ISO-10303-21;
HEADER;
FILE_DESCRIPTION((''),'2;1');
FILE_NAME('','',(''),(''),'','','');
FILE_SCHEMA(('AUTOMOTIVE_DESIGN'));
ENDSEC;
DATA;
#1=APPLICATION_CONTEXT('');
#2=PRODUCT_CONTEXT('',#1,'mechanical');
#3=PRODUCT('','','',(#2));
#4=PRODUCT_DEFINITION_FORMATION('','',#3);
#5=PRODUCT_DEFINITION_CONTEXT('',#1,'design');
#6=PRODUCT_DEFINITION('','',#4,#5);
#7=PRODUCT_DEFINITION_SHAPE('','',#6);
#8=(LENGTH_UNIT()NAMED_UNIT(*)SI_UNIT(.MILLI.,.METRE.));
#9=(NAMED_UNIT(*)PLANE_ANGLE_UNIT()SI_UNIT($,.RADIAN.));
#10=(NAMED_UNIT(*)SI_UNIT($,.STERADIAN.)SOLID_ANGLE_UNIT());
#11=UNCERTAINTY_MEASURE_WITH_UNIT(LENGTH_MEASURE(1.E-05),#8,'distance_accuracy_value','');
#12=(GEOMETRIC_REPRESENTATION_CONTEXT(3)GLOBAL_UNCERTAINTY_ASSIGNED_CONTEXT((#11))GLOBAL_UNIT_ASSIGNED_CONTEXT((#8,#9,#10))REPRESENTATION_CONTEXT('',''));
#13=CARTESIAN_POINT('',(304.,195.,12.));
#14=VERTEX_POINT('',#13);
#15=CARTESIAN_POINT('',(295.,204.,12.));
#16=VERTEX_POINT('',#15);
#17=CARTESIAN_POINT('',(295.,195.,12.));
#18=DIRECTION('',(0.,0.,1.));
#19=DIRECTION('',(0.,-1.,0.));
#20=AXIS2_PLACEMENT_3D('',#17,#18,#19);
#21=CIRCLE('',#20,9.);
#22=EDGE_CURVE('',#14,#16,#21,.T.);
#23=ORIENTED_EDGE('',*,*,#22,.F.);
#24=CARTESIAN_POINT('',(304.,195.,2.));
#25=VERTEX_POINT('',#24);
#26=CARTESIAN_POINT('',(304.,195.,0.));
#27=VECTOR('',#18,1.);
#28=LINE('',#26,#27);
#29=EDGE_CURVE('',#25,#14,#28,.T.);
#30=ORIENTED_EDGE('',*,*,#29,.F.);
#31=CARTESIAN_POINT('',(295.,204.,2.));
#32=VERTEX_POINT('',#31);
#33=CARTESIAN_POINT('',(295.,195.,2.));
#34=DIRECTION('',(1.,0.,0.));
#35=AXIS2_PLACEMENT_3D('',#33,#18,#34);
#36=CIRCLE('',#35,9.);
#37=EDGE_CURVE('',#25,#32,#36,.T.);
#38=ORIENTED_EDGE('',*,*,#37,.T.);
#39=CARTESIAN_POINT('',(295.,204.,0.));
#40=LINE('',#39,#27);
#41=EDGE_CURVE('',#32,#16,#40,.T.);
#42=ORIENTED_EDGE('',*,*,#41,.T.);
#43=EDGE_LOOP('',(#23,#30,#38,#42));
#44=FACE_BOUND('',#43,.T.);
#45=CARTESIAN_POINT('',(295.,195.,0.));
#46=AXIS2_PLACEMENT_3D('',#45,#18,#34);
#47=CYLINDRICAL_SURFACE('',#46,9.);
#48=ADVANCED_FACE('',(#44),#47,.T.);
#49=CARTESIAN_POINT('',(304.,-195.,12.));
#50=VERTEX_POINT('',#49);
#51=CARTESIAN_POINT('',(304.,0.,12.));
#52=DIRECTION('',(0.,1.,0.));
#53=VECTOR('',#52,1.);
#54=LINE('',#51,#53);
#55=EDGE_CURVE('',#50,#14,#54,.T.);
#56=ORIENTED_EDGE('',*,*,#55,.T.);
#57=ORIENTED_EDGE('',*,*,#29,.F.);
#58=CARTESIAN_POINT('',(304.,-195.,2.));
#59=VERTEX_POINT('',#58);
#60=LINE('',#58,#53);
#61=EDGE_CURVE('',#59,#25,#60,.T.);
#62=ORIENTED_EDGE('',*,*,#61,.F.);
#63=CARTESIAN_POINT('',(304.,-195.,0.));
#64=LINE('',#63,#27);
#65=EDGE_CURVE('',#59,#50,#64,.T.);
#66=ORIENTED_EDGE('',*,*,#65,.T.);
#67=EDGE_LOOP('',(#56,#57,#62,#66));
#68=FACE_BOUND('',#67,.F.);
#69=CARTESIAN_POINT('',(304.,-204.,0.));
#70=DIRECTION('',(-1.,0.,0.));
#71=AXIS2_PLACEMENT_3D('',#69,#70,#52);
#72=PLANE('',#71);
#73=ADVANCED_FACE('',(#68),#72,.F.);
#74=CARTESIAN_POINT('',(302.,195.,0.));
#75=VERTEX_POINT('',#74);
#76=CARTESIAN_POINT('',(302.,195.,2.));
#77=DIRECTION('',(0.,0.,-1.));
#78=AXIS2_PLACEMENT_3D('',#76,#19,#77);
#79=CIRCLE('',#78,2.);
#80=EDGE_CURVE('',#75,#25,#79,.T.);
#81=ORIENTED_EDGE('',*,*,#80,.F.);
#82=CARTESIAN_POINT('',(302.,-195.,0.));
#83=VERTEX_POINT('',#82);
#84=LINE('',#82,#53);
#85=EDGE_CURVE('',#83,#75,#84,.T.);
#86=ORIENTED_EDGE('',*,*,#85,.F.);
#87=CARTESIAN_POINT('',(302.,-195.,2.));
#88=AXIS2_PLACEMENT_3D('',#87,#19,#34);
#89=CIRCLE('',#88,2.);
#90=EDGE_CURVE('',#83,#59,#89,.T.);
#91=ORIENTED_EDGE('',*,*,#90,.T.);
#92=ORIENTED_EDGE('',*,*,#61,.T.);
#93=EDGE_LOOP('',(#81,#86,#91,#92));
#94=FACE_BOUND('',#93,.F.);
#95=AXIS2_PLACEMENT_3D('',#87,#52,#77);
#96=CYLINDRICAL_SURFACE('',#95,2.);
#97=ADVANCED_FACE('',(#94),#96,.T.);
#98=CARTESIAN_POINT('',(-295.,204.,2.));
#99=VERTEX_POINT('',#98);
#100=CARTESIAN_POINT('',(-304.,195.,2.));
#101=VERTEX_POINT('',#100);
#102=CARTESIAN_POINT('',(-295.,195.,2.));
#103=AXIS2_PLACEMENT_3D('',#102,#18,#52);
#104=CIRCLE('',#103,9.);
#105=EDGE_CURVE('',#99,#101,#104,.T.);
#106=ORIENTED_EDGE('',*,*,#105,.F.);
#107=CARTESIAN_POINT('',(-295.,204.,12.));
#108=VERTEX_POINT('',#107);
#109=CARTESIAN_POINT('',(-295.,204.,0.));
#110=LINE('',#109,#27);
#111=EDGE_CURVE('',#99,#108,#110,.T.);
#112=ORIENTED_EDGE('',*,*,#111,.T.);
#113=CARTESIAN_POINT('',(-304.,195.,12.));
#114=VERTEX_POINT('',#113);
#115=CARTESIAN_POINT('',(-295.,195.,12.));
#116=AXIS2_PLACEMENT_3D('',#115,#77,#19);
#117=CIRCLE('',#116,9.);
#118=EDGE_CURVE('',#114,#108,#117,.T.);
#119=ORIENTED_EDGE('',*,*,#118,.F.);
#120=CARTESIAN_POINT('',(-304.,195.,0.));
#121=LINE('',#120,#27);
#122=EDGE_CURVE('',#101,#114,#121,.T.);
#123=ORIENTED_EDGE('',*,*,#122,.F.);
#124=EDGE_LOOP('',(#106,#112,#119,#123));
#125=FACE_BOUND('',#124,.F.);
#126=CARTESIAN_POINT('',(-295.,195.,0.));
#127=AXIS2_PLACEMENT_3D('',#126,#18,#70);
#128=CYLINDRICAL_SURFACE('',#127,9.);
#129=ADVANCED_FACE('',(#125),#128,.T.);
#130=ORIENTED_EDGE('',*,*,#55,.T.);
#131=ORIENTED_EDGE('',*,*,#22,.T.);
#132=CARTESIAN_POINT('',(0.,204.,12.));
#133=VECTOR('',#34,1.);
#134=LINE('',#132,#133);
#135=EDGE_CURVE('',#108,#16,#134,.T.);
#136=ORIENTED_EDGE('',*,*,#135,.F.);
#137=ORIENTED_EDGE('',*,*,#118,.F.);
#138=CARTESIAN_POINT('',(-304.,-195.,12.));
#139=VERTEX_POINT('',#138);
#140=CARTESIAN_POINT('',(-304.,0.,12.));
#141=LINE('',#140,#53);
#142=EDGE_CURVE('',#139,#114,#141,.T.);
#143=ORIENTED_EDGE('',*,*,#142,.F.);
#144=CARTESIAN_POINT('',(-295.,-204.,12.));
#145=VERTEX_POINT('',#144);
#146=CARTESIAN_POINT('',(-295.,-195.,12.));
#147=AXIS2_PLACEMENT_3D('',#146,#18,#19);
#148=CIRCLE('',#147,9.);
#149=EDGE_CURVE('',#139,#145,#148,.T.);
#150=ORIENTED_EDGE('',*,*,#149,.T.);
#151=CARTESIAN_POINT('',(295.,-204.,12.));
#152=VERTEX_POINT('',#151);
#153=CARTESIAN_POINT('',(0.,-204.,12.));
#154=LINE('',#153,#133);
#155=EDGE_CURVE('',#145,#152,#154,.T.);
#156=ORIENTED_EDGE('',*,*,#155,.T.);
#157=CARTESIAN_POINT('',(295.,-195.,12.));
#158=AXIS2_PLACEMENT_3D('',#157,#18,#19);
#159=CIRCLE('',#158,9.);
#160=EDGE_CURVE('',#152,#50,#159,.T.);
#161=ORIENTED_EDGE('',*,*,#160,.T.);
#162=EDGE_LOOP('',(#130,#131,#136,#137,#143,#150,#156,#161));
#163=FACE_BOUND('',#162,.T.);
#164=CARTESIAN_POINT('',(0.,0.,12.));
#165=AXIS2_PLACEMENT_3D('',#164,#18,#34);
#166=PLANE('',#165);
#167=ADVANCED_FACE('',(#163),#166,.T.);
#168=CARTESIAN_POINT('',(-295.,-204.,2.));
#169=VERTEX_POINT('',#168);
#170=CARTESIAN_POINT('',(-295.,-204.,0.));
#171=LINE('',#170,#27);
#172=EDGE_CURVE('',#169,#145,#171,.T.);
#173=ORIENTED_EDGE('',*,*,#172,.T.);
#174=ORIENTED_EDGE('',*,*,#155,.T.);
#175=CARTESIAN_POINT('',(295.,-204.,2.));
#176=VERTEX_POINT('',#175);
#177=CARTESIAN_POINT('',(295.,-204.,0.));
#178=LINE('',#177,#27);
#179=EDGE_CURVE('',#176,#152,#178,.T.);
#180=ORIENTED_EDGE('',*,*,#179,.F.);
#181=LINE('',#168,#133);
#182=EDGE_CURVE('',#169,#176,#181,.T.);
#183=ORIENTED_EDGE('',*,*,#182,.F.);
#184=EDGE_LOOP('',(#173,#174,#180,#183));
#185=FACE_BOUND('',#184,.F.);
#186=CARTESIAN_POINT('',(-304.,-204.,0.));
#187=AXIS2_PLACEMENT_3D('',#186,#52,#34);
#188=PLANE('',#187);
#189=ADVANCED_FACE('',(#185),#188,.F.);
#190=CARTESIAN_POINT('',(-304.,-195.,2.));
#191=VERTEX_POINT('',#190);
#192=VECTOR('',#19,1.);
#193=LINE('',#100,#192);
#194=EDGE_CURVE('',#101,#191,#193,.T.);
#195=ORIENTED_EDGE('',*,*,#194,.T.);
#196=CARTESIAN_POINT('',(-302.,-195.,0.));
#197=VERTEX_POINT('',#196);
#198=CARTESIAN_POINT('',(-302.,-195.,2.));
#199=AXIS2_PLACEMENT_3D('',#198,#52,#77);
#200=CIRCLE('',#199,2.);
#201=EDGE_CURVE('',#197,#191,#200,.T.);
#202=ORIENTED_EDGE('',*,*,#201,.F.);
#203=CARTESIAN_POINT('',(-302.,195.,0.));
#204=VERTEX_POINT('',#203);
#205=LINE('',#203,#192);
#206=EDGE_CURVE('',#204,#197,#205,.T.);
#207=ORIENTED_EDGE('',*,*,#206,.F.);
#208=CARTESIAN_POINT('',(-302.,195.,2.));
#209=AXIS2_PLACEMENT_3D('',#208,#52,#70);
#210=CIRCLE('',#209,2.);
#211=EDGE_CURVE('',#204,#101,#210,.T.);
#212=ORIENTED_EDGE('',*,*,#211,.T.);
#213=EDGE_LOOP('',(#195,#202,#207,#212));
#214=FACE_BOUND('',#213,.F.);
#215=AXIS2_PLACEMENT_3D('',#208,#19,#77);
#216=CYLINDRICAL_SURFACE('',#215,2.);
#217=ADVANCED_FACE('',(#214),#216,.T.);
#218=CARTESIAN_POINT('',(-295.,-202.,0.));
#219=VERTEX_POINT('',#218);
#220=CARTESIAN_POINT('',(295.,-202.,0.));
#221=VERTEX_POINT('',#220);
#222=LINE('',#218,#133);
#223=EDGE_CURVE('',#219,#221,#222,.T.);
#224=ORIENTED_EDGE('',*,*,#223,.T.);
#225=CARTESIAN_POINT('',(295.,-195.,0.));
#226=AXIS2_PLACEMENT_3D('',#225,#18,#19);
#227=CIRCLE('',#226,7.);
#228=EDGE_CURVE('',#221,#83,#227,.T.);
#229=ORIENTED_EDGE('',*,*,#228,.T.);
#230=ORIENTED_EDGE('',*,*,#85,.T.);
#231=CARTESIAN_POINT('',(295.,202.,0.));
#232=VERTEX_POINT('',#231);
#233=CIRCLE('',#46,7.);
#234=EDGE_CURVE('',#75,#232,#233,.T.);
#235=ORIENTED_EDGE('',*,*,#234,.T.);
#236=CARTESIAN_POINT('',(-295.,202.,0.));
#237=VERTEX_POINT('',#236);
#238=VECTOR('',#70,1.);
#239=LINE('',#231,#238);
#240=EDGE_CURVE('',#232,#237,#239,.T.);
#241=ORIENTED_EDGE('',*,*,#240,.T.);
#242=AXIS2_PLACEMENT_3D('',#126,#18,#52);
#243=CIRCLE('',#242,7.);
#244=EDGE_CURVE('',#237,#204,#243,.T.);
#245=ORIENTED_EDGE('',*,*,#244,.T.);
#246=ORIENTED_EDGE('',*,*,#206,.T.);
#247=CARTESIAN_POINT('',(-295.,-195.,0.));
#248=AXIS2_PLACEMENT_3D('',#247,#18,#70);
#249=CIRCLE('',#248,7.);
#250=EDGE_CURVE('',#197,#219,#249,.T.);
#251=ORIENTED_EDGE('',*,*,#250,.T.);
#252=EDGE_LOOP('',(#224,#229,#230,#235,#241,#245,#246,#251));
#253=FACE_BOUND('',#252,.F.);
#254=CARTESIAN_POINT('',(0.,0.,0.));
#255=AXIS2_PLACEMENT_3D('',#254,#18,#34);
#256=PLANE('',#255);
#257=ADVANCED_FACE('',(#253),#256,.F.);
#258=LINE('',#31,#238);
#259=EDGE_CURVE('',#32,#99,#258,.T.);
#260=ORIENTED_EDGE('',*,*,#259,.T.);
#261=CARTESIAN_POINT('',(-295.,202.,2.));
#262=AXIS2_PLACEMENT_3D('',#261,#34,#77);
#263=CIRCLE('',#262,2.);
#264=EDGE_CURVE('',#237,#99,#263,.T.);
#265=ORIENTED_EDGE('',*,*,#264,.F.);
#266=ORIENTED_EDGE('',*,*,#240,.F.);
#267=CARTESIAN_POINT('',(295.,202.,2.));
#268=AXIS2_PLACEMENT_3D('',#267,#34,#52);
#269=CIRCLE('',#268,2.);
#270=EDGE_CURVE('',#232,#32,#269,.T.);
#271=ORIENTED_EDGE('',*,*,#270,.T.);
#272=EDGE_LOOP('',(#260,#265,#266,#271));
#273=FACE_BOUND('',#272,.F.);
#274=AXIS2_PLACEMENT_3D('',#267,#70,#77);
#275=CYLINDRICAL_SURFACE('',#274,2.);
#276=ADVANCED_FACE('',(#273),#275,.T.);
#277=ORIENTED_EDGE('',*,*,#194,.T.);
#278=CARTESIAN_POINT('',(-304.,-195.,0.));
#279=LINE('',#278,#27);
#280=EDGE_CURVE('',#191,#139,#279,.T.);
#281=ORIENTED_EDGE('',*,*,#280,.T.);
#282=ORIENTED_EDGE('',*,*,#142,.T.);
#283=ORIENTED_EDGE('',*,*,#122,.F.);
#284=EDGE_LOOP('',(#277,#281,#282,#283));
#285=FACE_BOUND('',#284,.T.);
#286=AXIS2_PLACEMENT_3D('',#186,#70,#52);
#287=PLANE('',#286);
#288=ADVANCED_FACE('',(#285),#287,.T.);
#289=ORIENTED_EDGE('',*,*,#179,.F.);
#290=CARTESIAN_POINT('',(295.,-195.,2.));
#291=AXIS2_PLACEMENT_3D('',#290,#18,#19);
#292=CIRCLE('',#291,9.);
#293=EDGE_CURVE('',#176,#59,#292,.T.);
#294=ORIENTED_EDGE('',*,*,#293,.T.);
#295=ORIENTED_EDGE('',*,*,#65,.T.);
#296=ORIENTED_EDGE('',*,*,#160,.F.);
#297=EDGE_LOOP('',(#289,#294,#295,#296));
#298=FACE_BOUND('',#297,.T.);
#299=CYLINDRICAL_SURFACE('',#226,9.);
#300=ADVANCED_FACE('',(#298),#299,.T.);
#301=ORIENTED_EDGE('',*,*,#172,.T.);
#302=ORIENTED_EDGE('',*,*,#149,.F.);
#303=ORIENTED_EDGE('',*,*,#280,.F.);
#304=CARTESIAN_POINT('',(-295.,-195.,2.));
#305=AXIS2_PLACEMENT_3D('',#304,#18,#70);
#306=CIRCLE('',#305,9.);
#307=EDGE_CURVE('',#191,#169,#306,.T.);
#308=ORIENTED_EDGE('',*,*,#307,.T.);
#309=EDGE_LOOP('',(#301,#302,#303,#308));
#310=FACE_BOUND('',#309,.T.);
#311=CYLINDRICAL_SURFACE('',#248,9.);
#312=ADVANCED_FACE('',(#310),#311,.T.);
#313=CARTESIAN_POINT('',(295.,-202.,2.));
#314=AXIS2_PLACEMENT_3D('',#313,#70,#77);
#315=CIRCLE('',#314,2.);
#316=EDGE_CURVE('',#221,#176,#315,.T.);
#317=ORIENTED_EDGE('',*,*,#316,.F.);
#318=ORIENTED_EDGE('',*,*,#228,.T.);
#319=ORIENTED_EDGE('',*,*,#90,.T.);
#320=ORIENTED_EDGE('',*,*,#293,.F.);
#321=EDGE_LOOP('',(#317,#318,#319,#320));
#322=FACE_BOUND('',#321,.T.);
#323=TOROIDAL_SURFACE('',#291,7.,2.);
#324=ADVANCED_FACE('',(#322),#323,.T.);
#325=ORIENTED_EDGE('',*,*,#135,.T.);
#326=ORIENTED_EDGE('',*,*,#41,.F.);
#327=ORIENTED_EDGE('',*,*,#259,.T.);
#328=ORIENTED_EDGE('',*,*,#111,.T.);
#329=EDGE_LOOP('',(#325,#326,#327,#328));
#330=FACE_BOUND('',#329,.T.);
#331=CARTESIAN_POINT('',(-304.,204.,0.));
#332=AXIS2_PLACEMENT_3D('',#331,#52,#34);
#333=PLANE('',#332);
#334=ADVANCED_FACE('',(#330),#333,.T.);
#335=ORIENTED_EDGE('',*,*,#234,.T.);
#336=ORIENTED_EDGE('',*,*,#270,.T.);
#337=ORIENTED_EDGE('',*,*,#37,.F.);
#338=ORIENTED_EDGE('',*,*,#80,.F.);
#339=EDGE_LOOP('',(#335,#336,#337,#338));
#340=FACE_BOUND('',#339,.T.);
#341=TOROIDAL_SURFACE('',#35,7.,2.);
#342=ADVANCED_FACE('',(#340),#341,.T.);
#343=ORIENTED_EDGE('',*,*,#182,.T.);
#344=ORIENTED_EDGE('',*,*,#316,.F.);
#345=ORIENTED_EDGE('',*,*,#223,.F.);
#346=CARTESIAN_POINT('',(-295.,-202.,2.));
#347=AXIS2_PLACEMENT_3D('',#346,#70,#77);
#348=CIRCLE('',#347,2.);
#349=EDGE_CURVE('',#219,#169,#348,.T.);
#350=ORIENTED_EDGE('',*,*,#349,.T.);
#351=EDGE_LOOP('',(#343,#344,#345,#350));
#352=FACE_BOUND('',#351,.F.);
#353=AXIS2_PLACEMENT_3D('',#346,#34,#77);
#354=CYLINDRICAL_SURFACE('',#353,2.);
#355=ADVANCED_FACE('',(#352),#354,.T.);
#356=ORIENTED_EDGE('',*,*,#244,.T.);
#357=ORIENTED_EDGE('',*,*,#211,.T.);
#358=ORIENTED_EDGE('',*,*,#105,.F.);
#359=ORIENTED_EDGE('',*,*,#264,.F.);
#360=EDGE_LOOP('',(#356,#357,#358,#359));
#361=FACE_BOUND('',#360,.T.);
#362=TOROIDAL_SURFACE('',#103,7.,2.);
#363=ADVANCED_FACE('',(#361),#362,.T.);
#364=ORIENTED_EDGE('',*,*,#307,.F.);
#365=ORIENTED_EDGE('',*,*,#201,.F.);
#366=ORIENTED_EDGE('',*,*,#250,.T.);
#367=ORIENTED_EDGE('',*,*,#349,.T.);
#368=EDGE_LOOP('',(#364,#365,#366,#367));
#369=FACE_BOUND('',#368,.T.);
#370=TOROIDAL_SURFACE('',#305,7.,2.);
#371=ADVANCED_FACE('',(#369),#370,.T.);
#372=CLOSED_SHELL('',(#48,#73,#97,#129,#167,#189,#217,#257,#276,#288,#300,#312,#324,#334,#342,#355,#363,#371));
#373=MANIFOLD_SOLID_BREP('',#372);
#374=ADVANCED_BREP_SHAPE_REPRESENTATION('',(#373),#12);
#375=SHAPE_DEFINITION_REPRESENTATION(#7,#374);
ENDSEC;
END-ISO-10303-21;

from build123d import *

# Parameters (mm, degrees)
F0_W     = 608
F0_H     = 408
F1_DEPTH = 12
F2_R     = 9
F3_R     = 2


with BuildPart() as f1:
    # F0 (on Top) → F1 (new body)
    with BuildSketch(Plane.XY):
        Rectangle(F0_W, F0_H)
    extrude(amount=F1_DEPTH)

    # F2
    f2_edges = [f1.edges().sort_by_distance(p)[0] for p in [
        (-304, 204, 6),
        (-304, -204, 6),
        (304, -204, 6),
        (304, 204, 6),
    ]]
    fillet(f2_edges, radius=F2_R)

    # F3
    f3_edges = [f1.edges().sort_by_distance(p)[0] for p in [
        (0, -204, 0),
    ]]
    fillet(f3_edges, radius=F3_R)


solid = f1.part
